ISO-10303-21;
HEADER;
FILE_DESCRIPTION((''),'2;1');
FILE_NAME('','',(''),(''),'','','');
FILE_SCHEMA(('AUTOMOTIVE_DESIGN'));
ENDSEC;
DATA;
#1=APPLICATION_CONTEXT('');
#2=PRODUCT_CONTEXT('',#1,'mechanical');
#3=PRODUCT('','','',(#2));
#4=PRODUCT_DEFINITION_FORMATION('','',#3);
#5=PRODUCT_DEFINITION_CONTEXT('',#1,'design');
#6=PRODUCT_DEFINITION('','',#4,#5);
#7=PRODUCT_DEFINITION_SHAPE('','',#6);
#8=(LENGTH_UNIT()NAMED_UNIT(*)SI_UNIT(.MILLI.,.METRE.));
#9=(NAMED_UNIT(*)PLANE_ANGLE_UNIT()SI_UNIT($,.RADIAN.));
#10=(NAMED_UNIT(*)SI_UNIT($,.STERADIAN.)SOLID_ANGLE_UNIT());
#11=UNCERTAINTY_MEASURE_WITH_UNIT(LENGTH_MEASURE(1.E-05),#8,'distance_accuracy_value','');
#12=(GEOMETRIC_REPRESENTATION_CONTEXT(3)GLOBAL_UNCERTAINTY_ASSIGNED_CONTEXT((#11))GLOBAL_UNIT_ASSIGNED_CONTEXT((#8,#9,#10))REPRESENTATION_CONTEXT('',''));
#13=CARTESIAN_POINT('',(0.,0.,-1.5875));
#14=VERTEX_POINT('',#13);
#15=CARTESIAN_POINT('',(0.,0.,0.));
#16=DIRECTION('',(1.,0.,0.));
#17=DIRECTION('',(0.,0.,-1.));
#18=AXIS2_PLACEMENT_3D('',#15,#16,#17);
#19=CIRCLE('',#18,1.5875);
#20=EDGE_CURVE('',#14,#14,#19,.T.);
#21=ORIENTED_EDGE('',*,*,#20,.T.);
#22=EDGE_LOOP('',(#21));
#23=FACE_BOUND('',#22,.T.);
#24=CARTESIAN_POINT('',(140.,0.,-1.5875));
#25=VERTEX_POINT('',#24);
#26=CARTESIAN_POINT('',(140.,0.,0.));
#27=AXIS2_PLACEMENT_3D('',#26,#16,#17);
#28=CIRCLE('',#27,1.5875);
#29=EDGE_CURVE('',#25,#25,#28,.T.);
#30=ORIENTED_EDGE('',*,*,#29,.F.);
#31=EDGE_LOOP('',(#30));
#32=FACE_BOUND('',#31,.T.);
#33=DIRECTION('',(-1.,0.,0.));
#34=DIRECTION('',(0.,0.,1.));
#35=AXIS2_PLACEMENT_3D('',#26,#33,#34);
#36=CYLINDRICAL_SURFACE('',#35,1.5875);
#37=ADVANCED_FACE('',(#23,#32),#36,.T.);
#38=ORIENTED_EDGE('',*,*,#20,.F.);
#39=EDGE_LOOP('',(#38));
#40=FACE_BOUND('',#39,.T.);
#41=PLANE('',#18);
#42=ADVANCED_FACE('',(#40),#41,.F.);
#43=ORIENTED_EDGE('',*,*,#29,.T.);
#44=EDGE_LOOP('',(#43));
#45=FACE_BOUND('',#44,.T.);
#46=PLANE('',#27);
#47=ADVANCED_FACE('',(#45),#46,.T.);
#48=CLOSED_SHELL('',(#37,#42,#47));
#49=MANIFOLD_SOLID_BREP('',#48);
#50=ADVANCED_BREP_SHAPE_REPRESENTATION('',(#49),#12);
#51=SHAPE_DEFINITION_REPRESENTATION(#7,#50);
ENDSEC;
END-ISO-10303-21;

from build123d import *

# Parameters (mm, degrees)
SKETCH5_R = 1.5875


with BuildPart() as part:
    # Sweep1: sweep along a path in Sketch4
    with BuildLine(Plane.XY) as sweep1_path:
        Line((0, 0), (140, 0))
    # Sketch5 → Sweep1 (sweep)
    with BuildSketch(Plane(origin=(0, 0, 0), x_dir=(0, 0, -1), z_dir=(1, 0, 0))):
        Circle(SKETCH5_R)
    sweep(path=sweep1_path.line)


solid = part.part
